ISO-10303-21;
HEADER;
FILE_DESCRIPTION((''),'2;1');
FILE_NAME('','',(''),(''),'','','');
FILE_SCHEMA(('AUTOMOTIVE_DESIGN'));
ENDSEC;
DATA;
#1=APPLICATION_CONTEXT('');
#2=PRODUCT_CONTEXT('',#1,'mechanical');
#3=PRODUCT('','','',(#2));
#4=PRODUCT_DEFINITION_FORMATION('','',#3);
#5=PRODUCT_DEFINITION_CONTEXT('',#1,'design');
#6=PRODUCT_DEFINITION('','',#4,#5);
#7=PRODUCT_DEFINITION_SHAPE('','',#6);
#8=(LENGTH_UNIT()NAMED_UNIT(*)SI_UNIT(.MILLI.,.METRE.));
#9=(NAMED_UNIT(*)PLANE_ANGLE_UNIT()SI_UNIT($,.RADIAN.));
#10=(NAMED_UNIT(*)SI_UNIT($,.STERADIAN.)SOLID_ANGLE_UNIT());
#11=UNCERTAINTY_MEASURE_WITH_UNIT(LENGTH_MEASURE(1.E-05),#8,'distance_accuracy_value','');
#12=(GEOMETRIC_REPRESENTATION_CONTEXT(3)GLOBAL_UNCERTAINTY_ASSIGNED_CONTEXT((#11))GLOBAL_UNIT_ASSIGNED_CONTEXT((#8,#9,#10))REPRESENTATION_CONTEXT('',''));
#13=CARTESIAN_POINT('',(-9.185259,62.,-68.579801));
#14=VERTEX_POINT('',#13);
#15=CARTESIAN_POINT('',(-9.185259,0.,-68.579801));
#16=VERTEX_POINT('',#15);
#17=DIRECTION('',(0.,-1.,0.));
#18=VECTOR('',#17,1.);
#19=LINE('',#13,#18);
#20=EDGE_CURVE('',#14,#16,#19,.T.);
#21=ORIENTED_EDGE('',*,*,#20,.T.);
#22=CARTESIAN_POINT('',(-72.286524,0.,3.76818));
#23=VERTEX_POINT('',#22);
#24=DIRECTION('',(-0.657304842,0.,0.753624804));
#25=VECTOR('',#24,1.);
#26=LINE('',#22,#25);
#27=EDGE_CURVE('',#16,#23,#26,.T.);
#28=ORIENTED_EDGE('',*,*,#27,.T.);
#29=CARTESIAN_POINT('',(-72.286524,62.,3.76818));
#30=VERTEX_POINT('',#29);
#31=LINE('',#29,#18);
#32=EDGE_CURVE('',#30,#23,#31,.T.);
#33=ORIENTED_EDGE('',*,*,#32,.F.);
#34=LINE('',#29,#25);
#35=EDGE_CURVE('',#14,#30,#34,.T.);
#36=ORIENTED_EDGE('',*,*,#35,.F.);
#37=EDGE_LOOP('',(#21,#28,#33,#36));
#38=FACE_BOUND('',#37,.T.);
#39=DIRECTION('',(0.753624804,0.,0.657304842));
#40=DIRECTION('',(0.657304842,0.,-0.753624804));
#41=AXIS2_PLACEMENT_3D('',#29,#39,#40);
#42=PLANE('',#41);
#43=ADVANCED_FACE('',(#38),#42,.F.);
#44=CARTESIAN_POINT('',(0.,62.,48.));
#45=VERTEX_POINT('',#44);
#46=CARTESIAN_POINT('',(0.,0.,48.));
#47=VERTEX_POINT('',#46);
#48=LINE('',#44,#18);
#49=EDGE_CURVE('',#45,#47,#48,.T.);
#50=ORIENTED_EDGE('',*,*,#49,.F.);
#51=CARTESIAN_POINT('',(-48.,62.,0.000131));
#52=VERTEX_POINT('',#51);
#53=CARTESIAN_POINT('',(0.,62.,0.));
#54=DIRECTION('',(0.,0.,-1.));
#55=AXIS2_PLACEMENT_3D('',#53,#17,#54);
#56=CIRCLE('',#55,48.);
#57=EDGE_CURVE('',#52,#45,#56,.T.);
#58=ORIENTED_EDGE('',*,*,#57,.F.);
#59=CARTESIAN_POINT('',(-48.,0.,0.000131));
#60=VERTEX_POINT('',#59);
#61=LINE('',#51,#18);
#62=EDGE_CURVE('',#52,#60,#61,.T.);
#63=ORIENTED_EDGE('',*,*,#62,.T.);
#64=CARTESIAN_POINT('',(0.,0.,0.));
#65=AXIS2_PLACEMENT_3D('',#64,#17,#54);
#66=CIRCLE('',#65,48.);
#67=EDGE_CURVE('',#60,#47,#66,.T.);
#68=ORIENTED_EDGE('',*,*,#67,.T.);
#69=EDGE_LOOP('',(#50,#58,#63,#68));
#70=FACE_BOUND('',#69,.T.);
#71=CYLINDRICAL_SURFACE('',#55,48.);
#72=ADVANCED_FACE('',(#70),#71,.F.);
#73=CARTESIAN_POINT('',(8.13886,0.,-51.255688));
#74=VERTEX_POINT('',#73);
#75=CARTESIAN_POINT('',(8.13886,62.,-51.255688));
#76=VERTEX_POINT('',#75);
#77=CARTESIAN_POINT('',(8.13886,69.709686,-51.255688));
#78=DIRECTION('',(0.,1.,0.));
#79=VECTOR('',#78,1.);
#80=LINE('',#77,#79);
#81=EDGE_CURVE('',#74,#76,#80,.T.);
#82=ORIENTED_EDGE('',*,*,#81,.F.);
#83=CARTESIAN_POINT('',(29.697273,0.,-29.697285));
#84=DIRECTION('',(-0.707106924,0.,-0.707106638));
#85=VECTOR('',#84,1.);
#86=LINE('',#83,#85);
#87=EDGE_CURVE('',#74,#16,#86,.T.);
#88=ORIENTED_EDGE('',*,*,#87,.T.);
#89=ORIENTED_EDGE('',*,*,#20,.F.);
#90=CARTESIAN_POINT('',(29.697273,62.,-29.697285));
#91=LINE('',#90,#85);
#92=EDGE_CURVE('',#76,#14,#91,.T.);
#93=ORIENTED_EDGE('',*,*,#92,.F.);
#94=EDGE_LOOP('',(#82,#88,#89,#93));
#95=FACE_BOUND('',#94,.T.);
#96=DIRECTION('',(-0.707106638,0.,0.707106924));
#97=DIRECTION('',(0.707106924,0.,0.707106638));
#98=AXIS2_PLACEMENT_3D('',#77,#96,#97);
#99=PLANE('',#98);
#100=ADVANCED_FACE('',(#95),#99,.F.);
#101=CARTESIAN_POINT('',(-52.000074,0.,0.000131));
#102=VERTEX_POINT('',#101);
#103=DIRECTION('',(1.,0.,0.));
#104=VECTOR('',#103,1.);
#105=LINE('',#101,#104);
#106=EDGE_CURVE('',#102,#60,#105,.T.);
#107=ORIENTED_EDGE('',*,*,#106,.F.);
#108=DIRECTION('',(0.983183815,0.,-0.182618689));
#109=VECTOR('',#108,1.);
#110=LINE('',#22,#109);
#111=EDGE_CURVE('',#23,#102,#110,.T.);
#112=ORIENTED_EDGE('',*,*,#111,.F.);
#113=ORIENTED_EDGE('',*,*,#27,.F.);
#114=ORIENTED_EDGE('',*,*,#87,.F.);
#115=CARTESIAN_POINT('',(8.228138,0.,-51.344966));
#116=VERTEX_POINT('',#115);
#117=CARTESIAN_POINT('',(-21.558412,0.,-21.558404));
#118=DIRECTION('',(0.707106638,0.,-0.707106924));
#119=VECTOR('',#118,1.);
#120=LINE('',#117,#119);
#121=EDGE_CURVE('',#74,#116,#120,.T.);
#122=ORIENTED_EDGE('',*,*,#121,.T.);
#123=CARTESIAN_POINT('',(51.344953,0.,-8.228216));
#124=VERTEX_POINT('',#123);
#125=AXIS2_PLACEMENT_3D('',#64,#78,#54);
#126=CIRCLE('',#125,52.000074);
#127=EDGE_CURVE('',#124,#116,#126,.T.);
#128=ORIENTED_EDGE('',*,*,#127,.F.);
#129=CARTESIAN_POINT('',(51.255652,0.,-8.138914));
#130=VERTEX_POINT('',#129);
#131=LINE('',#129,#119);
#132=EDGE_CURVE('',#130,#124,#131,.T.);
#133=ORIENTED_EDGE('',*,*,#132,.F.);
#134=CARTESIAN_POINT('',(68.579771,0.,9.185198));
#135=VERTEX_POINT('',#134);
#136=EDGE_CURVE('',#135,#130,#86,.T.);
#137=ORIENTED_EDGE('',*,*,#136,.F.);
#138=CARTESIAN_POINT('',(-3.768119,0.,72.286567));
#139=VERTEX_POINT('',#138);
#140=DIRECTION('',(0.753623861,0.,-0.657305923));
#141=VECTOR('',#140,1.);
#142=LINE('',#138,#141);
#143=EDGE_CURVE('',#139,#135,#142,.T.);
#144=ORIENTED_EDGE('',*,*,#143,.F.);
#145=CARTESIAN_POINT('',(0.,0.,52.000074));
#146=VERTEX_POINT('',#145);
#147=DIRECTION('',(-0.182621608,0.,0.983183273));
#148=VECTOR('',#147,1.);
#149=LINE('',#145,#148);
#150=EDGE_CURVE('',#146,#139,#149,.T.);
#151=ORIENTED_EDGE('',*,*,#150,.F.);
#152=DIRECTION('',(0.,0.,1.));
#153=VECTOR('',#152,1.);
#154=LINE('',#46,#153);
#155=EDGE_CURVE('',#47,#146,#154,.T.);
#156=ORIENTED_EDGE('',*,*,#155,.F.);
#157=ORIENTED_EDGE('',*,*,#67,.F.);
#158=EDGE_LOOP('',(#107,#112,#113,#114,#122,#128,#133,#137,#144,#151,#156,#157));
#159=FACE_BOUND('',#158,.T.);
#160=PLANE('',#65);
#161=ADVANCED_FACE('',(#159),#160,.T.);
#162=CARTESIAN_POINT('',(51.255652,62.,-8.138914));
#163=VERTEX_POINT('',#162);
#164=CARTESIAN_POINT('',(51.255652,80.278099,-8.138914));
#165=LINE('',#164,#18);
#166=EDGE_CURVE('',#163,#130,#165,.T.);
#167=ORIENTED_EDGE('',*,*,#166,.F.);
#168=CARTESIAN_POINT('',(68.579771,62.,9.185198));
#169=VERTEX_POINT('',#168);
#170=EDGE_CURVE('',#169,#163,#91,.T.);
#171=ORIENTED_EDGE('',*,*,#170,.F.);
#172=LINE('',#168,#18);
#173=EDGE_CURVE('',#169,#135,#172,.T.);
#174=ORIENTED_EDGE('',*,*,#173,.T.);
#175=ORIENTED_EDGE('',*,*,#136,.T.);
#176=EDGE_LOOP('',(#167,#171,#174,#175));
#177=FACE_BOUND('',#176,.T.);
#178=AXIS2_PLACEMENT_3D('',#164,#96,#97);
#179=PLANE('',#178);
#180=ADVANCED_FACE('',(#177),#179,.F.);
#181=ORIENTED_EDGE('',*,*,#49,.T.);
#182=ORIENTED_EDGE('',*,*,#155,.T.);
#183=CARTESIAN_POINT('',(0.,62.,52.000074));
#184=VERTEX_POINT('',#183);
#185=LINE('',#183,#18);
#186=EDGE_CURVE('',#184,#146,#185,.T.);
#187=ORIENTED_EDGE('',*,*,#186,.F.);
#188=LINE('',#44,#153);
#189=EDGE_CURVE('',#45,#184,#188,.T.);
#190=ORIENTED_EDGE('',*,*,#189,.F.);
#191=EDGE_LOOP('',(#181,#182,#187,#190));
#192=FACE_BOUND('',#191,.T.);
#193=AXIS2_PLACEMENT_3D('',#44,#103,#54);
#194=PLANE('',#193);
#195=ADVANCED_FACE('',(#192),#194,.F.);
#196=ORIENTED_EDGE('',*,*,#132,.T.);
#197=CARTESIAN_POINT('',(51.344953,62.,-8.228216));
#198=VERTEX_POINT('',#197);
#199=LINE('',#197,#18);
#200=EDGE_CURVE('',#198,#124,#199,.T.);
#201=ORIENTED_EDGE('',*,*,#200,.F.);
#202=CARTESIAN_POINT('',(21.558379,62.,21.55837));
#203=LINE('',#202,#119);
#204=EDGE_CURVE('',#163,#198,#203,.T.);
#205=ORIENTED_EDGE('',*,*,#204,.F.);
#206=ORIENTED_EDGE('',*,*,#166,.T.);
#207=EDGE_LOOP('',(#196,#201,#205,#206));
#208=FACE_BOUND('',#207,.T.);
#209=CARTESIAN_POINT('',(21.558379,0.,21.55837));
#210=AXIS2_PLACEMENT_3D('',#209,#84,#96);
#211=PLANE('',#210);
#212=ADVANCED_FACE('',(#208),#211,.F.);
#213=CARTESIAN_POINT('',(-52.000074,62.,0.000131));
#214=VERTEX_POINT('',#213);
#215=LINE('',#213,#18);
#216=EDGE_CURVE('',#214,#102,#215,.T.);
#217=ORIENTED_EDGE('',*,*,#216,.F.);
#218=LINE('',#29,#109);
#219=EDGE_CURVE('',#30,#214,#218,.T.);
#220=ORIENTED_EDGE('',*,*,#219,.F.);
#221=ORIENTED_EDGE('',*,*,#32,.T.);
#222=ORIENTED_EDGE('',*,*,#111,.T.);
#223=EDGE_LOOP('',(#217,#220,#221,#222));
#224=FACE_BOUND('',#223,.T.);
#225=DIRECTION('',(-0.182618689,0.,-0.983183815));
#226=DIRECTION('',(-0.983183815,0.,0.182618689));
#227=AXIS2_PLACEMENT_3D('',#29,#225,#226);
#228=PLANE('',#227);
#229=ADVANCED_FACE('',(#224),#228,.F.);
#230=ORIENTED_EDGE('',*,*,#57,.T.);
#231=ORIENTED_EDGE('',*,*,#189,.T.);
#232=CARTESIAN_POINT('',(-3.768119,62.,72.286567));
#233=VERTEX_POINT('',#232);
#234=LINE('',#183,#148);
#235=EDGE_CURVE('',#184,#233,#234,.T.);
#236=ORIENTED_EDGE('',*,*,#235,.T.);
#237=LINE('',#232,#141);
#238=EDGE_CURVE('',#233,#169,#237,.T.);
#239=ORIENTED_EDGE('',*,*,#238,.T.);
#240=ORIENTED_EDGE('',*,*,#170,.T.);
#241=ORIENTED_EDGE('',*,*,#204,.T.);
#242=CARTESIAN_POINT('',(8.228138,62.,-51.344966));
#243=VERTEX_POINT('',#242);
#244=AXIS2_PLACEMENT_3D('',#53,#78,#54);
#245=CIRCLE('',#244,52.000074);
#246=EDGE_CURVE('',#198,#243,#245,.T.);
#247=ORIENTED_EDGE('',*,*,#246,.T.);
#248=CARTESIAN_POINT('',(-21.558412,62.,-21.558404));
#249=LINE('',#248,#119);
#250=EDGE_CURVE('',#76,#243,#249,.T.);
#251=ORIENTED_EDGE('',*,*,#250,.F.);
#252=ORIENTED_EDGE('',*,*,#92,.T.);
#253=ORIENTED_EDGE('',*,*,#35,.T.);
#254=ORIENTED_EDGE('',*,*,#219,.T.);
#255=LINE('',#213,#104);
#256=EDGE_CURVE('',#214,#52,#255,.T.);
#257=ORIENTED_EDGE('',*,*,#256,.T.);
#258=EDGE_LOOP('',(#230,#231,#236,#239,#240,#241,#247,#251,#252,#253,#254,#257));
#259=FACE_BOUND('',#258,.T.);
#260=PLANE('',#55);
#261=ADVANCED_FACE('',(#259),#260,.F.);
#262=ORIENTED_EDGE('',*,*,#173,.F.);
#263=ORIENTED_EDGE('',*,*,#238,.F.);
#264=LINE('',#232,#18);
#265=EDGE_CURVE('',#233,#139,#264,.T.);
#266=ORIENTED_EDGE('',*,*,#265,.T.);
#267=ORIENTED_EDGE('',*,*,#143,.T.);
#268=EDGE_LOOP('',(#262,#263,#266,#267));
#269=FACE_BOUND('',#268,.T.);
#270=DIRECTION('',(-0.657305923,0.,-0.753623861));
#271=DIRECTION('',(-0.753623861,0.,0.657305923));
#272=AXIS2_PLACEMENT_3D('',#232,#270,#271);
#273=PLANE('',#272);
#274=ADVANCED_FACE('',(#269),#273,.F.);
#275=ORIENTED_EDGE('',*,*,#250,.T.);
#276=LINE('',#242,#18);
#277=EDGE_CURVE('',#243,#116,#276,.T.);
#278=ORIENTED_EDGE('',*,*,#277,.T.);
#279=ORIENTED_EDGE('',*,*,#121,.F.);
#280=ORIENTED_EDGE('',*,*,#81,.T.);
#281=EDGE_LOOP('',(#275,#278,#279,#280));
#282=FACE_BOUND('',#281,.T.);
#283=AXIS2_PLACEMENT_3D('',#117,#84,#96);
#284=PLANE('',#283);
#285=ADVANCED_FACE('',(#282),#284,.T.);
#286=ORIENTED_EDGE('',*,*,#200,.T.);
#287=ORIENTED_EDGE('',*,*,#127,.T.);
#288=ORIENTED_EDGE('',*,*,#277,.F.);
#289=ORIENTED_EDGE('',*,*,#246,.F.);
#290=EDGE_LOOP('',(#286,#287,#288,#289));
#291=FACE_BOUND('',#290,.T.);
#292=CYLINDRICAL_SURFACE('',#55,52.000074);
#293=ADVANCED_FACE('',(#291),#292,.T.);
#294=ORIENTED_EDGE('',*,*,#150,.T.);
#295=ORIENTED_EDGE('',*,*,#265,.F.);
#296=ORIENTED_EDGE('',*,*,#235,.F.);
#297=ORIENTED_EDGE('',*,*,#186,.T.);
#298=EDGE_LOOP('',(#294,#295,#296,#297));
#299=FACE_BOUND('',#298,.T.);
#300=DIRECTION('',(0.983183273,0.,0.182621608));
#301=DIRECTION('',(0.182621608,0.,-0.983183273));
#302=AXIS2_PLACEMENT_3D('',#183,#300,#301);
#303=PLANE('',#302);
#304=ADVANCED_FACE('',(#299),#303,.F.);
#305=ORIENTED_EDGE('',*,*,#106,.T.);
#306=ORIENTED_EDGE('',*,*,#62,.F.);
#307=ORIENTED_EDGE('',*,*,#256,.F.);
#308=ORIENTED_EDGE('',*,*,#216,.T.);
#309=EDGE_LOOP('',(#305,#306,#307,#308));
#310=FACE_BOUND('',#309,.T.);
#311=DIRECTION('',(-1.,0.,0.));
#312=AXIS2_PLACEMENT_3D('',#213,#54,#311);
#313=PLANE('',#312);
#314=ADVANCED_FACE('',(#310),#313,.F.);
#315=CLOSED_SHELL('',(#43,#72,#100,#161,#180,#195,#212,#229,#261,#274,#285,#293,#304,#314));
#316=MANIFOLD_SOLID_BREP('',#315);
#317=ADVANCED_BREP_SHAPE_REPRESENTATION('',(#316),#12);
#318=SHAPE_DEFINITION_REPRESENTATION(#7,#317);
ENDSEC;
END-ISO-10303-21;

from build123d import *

# Parameters (mm, degrees)
BOSS_EXTRUDE1_DEPTH = 62
SKETCH3_W           = 15
SKETCH3_H           = 80.278098872
CUT_EXTRUDE1_DEPTH  = 24.5
SKETCH4_W           = 18.12750906
SKETCH4_H           = 69.709686178
CUT_EXTRUDE2_DEPTH  = 24.5


with BuildPart() as part:
    # Sketch1 → Boss-Extrude1 (new body)
    with BuildSketch(Plane(origin=(0, 0, 0), x_dir=(1, 0, 0), z_dir=(0, 1, 0))):
        with BuildLine():
            Line((-52.000074422, -0.000131195), (-48, -0.000131195))
            ThreePointArc((-48, -0.000131195), (33.941079112, 33.941171881), (0, -48))
            Line((0, -48), (0, -52.000074422))
            Line((0, -52.000074422), (-3.768119303, -72.286566827))
            Line((-3.768119303, -72.286566827), (68.579771311, -9.185198192))
            Line((68.579771311, -9.185198192), (75.652096433, -2.112870208))
            Line((75.652096433, -2.112870208), (58.450826977, 15.088392287))
            Line((58.450826977, 15.088392287), (51.378501856, 8.016064304))
            ThreePointArc((51.378501856, 8.016064304), (36.769597807, 36.769612685), (8.016043515, 51.378505099))
            Line((8.016043515, 51.378505099), (15.088368636, 58.450833083))
            Line((15.088368636, 58.450833083), (-2.112934166, 75.652128925))
            Line((-2.112934166, 75.652128925), (-9.185259288, 68.579800942))
            Line((-9.185259288, 68.579800942), (-72.286524075, -3.768180248))
            Line((-72.286524075, -3.768180248), (-52.000074422, -0.000131195))
        make_face()
    extrude(amount=BOSS_EXTRUDE1_DEPTH)

    # Sketch3 → Cut-Extrude1 (cut)
    with BuildSketch(Plane(origin=(38.882498626, 0, 38.882482893), x_dir=(0.707106638, 0, -0.707106924), z_dir=(0.707106924, 0, 0.707106638))):
        with Locations((49.498294294, 40.139049436)):
            Rectangle(SKETCH3_W, SKETCH3_H)
    extrude(amount=-CUT_EXTRUDE1_DEPTH, mode=Mode.SUBTRACT)

    # Sketch4 → Cut-Extrude2 (cut)
    with BuildSketch(Plane(origin=(-38.882531973, 0, -38.88251624), x_dir=(-0.707106638, 0, 0.707106924), z_dir=(-0.707106924, 0, -0.707106638))):
        with Locations((-51.062048824, 34.854843089)):
            Rectangle(SKETCH4_W, SKETCH4_H)
    extrude(amount=-CUT_EXTRUDE2_DEPTH, mode=Mode.SUBTRACT)


solid = part.part
